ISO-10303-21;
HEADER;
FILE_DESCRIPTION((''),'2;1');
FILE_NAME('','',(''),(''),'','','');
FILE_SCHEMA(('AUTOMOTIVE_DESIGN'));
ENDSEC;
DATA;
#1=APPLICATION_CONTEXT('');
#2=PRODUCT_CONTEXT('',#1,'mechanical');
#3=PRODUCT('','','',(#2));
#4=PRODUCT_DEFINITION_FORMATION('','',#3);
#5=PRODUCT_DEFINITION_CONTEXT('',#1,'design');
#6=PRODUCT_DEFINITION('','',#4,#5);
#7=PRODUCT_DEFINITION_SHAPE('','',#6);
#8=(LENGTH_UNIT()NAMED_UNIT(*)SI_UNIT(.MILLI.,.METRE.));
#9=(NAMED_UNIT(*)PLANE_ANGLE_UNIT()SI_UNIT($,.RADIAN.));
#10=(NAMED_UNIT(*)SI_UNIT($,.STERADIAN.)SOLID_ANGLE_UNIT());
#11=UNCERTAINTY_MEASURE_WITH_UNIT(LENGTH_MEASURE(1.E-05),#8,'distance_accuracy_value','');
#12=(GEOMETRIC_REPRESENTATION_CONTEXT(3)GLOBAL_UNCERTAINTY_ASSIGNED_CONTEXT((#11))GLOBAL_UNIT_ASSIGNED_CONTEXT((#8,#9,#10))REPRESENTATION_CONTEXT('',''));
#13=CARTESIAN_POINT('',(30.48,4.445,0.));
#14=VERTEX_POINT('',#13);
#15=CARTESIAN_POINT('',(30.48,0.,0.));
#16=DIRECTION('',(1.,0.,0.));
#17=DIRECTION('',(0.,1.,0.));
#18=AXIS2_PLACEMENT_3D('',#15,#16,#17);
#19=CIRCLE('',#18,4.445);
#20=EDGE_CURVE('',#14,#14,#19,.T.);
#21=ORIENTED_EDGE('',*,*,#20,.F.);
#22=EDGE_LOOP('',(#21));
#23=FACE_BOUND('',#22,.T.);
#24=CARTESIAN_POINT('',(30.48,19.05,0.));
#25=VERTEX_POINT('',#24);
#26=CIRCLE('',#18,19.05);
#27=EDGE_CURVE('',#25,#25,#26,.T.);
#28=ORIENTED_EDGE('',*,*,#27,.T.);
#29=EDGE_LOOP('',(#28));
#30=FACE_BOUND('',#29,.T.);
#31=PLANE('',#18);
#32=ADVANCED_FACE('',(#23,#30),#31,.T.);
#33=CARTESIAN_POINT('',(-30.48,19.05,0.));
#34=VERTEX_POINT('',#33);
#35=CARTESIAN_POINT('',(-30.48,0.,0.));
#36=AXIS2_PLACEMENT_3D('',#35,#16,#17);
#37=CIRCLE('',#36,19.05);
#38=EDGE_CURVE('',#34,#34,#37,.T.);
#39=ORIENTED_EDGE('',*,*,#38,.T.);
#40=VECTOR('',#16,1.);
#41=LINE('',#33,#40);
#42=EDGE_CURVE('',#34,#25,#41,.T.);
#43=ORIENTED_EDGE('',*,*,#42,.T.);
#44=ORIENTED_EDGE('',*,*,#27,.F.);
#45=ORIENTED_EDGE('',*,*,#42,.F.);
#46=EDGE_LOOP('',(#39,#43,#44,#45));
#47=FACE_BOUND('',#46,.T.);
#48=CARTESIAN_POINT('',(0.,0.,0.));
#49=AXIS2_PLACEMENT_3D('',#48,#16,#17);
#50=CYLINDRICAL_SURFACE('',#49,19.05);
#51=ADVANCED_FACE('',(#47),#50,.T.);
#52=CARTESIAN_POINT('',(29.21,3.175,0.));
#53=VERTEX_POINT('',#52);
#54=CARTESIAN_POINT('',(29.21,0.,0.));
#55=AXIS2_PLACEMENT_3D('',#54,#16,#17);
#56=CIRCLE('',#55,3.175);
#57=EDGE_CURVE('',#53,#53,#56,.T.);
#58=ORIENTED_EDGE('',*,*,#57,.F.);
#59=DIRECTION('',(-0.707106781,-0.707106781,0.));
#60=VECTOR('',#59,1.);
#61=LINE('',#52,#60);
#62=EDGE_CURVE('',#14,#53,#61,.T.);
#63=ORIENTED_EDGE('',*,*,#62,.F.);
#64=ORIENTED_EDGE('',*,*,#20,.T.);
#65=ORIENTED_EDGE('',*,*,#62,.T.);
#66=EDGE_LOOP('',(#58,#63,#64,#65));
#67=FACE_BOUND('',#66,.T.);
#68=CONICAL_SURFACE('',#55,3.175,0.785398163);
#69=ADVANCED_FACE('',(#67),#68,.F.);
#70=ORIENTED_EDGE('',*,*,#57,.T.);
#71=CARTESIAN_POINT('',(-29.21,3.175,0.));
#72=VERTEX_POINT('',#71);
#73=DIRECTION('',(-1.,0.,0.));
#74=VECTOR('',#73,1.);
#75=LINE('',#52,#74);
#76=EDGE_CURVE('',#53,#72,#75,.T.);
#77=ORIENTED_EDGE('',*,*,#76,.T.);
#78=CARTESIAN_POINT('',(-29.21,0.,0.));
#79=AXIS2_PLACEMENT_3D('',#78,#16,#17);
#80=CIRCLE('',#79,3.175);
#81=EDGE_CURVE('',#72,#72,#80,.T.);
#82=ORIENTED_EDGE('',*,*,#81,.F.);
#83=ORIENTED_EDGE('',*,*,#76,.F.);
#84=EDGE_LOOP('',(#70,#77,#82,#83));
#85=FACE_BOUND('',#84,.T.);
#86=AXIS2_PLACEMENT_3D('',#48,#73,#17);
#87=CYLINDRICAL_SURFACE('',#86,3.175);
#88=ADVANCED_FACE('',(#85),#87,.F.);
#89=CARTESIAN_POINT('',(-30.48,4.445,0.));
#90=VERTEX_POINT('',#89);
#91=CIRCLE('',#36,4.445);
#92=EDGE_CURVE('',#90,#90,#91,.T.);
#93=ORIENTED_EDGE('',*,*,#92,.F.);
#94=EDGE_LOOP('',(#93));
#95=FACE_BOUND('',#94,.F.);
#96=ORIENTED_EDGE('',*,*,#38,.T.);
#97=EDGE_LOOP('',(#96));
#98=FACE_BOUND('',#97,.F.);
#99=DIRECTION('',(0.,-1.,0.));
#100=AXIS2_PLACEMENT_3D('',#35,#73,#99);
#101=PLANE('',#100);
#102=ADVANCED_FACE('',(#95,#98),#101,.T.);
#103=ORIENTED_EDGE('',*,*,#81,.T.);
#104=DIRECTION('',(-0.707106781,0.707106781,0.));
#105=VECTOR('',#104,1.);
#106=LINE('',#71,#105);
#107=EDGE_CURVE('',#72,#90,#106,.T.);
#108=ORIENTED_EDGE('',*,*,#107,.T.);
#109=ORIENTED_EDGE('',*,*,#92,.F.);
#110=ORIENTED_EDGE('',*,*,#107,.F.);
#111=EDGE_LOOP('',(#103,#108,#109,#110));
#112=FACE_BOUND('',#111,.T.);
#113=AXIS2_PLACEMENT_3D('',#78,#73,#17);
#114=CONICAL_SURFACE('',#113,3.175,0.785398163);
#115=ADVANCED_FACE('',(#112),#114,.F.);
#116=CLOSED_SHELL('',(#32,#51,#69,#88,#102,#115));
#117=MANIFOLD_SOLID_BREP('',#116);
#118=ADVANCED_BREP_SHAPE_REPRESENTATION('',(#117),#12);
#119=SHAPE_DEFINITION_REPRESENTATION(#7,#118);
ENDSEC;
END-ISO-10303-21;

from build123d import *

# Parameters (mm, degrees)
F0_R     = 19.05
F0_R_2   = 3.175
F1_DEPTH = 30.48
F3_SIZE  = 1.27


with BuildPart() as f1:
    # F0 (on Right) → F1 (new body)
    with BuildSketch(Plane.YZ):
        Circle(F0_R)
        Circle(F0_R_2, mode=Mode.SUBTRACT)
    extrude(amount=F1_DEPTH)

    # F2: F1 across face


with BuildPart() as f1_1:
    add(f1.part)
    add(f1.part.mirror(Plane(origin=(0, 0, 0), x_dir=(0, 1, 0), z_dir=(-1, 0, 0))))

    # F3
    f3_edges = [f1_1.edges().sort_by_distance(p)[0] for p in [
        (30.48, -3.175, 0),
        (-30.48, -3.175, 0),
    ]]
    chamfer(f3_edges, length=F3_SIZE)


solid = f1_1.part
